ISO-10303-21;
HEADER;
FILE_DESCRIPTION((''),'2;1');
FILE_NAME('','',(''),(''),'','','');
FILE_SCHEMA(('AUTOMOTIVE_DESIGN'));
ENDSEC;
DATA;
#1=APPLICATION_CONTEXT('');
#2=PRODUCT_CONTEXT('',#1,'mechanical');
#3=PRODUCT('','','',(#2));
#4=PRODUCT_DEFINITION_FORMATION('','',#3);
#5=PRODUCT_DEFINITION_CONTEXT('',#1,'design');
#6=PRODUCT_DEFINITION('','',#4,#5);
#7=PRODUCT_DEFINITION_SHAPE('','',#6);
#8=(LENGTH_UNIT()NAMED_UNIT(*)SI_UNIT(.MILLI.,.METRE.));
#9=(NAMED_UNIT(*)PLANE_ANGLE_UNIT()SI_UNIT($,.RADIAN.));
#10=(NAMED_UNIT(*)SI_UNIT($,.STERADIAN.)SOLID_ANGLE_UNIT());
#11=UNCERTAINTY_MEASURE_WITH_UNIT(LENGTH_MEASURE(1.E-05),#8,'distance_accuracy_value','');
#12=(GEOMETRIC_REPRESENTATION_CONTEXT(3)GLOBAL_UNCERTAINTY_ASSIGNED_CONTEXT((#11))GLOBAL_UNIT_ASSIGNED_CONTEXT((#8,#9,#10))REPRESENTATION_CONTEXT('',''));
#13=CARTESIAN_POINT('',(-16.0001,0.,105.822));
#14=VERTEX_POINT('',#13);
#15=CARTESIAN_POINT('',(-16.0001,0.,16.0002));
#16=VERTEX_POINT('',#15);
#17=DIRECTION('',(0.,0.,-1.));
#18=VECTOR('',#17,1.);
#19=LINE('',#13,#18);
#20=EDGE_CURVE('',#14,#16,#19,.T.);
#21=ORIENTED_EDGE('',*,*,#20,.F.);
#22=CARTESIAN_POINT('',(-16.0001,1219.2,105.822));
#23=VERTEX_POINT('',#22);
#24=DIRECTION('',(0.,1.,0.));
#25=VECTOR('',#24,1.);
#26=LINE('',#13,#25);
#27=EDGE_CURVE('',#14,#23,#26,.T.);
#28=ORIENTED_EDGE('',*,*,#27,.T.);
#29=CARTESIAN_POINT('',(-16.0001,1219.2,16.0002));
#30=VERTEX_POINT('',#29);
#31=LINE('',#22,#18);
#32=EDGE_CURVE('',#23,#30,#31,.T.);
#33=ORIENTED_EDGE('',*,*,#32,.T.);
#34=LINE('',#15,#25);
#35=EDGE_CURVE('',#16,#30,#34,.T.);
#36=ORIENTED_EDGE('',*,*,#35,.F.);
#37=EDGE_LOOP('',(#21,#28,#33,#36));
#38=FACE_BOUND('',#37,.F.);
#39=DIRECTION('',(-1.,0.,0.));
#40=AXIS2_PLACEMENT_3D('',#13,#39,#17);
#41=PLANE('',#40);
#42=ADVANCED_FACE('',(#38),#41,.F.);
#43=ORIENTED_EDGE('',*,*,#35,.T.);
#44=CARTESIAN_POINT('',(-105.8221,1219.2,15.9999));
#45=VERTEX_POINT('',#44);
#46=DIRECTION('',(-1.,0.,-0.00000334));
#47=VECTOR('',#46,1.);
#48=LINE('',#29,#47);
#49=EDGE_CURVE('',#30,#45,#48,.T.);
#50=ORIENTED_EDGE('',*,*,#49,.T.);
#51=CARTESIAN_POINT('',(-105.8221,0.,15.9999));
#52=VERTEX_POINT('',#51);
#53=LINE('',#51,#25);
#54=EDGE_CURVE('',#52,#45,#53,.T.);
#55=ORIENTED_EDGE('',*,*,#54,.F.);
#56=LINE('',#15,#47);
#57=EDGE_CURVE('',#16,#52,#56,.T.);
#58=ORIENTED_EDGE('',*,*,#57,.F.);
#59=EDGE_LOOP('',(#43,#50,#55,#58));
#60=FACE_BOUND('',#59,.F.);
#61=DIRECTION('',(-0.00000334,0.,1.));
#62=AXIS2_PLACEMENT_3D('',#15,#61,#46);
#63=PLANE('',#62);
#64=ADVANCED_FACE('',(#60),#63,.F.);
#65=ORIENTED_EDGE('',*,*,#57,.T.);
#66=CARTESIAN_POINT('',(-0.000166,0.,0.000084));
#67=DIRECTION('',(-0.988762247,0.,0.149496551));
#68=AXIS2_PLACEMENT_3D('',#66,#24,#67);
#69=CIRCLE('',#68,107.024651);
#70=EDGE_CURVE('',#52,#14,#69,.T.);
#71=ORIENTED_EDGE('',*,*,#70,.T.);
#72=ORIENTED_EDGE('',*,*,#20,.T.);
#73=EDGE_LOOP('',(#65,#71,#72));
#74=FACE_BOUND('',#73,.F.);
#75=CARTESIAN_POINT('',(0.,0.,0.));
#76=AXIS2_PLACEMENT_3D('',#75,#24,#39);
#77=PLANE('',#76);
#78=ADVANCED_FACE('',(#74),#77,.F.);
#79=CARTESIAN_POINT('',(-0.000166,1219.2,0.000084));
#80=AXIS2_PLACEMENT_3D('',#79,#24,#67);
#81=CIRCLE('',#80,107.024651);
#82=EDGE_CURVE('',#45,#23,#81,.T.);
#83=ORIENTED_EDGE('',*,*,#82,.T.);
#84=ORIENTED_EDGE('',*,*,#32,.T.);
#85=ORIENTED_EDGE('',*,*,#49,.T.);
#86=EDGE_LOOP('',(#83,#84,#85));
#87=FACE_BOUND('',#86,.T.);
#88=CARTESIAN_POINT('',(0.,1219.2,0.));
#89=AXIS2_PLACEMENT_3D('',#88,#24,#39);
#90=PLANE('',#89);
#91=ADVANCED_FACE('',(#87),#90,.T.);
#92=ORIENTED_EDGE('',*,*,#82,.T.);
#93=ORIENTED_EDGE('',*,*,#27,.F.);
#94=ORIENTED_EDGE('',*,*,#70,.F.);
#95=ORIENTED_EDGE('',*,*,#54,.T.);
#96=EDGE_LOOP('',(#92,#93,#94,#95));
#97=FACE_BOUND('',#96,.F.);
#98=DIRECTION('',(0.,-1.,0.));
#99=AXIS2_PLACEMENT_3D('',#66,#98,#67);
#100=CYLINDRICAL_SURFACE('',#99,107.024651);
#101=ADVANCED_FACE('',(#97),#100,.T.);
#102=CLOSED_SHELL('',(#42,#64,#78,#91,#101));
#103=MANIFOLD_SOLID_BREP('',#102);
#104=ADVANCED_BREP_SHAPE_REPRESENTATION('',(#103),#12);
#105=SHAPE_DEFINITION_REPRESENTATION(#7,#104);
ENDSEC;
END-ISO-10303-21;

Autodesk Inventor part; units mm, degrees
ref_plane "YZ Plane" through (0, 0, 0) normal (1, 0, 0) x (0, 1, 0)
ref_plane "XZ Plane" through (0, 0, 0) normal (0, 1, 0) x (-1, 0, 0)
ref_plane "XY Plane" through (0, 0, 0) normal (0, 0, 1) x (1, 0, 0)
sketch "Sketch1" plane through (0, 0, 0) normal (0, 1, 0) x (-1, 0, 0)
  arc A0 (105.8221, 15.9999) -> (16.0001, 105.822) centre (0, 0) ccw
  line L0 (16.0001, 16.0002) -> (105.8221, 15.9999)
  line L1 (16.0001, 105.822) -> (16.0001, 16.0002)
  arc A1 (105.8221, 15.9999) -> (16.0001, 105.822) centre (0, 0) ccw
  line L2 (16.0001, 16.0002) -> (105.8221, 15.9999)
  line L3 (16.0001, 105.822) -> (16.0001, 16.0002)
  line L4 (16.0001, 105.822) -> (0, 0)
  line L5 (0, 0) -> (105.8221, 15.9999)
  dimension "d2" = 180
extrude "Extrusion1" add sketch "Sketch1" along normal blind 1219.2 contours L0 L1 A0
sketch "Sketch2" plane through (0, 0, 0) normal (0, -1, 0) x (1, 0, 0)
  arc A0 (-16.0001, 105.822) -> (-105.8221, 15.9999) centre (0, 0) ccw projected
  line L0 (-16.0001, 16.0002) -> (-105.8221, 15.9999) projected
  line L1 (-16.0001, 105.822) -> (-16.0001, 16.0002) projected
  line L2 (-16.0001, 105.822) -> (0, 0)
  line L3 (0, 0) -> (-105.8221, 15.9999)
properties part number "styroFoamMandrel"
